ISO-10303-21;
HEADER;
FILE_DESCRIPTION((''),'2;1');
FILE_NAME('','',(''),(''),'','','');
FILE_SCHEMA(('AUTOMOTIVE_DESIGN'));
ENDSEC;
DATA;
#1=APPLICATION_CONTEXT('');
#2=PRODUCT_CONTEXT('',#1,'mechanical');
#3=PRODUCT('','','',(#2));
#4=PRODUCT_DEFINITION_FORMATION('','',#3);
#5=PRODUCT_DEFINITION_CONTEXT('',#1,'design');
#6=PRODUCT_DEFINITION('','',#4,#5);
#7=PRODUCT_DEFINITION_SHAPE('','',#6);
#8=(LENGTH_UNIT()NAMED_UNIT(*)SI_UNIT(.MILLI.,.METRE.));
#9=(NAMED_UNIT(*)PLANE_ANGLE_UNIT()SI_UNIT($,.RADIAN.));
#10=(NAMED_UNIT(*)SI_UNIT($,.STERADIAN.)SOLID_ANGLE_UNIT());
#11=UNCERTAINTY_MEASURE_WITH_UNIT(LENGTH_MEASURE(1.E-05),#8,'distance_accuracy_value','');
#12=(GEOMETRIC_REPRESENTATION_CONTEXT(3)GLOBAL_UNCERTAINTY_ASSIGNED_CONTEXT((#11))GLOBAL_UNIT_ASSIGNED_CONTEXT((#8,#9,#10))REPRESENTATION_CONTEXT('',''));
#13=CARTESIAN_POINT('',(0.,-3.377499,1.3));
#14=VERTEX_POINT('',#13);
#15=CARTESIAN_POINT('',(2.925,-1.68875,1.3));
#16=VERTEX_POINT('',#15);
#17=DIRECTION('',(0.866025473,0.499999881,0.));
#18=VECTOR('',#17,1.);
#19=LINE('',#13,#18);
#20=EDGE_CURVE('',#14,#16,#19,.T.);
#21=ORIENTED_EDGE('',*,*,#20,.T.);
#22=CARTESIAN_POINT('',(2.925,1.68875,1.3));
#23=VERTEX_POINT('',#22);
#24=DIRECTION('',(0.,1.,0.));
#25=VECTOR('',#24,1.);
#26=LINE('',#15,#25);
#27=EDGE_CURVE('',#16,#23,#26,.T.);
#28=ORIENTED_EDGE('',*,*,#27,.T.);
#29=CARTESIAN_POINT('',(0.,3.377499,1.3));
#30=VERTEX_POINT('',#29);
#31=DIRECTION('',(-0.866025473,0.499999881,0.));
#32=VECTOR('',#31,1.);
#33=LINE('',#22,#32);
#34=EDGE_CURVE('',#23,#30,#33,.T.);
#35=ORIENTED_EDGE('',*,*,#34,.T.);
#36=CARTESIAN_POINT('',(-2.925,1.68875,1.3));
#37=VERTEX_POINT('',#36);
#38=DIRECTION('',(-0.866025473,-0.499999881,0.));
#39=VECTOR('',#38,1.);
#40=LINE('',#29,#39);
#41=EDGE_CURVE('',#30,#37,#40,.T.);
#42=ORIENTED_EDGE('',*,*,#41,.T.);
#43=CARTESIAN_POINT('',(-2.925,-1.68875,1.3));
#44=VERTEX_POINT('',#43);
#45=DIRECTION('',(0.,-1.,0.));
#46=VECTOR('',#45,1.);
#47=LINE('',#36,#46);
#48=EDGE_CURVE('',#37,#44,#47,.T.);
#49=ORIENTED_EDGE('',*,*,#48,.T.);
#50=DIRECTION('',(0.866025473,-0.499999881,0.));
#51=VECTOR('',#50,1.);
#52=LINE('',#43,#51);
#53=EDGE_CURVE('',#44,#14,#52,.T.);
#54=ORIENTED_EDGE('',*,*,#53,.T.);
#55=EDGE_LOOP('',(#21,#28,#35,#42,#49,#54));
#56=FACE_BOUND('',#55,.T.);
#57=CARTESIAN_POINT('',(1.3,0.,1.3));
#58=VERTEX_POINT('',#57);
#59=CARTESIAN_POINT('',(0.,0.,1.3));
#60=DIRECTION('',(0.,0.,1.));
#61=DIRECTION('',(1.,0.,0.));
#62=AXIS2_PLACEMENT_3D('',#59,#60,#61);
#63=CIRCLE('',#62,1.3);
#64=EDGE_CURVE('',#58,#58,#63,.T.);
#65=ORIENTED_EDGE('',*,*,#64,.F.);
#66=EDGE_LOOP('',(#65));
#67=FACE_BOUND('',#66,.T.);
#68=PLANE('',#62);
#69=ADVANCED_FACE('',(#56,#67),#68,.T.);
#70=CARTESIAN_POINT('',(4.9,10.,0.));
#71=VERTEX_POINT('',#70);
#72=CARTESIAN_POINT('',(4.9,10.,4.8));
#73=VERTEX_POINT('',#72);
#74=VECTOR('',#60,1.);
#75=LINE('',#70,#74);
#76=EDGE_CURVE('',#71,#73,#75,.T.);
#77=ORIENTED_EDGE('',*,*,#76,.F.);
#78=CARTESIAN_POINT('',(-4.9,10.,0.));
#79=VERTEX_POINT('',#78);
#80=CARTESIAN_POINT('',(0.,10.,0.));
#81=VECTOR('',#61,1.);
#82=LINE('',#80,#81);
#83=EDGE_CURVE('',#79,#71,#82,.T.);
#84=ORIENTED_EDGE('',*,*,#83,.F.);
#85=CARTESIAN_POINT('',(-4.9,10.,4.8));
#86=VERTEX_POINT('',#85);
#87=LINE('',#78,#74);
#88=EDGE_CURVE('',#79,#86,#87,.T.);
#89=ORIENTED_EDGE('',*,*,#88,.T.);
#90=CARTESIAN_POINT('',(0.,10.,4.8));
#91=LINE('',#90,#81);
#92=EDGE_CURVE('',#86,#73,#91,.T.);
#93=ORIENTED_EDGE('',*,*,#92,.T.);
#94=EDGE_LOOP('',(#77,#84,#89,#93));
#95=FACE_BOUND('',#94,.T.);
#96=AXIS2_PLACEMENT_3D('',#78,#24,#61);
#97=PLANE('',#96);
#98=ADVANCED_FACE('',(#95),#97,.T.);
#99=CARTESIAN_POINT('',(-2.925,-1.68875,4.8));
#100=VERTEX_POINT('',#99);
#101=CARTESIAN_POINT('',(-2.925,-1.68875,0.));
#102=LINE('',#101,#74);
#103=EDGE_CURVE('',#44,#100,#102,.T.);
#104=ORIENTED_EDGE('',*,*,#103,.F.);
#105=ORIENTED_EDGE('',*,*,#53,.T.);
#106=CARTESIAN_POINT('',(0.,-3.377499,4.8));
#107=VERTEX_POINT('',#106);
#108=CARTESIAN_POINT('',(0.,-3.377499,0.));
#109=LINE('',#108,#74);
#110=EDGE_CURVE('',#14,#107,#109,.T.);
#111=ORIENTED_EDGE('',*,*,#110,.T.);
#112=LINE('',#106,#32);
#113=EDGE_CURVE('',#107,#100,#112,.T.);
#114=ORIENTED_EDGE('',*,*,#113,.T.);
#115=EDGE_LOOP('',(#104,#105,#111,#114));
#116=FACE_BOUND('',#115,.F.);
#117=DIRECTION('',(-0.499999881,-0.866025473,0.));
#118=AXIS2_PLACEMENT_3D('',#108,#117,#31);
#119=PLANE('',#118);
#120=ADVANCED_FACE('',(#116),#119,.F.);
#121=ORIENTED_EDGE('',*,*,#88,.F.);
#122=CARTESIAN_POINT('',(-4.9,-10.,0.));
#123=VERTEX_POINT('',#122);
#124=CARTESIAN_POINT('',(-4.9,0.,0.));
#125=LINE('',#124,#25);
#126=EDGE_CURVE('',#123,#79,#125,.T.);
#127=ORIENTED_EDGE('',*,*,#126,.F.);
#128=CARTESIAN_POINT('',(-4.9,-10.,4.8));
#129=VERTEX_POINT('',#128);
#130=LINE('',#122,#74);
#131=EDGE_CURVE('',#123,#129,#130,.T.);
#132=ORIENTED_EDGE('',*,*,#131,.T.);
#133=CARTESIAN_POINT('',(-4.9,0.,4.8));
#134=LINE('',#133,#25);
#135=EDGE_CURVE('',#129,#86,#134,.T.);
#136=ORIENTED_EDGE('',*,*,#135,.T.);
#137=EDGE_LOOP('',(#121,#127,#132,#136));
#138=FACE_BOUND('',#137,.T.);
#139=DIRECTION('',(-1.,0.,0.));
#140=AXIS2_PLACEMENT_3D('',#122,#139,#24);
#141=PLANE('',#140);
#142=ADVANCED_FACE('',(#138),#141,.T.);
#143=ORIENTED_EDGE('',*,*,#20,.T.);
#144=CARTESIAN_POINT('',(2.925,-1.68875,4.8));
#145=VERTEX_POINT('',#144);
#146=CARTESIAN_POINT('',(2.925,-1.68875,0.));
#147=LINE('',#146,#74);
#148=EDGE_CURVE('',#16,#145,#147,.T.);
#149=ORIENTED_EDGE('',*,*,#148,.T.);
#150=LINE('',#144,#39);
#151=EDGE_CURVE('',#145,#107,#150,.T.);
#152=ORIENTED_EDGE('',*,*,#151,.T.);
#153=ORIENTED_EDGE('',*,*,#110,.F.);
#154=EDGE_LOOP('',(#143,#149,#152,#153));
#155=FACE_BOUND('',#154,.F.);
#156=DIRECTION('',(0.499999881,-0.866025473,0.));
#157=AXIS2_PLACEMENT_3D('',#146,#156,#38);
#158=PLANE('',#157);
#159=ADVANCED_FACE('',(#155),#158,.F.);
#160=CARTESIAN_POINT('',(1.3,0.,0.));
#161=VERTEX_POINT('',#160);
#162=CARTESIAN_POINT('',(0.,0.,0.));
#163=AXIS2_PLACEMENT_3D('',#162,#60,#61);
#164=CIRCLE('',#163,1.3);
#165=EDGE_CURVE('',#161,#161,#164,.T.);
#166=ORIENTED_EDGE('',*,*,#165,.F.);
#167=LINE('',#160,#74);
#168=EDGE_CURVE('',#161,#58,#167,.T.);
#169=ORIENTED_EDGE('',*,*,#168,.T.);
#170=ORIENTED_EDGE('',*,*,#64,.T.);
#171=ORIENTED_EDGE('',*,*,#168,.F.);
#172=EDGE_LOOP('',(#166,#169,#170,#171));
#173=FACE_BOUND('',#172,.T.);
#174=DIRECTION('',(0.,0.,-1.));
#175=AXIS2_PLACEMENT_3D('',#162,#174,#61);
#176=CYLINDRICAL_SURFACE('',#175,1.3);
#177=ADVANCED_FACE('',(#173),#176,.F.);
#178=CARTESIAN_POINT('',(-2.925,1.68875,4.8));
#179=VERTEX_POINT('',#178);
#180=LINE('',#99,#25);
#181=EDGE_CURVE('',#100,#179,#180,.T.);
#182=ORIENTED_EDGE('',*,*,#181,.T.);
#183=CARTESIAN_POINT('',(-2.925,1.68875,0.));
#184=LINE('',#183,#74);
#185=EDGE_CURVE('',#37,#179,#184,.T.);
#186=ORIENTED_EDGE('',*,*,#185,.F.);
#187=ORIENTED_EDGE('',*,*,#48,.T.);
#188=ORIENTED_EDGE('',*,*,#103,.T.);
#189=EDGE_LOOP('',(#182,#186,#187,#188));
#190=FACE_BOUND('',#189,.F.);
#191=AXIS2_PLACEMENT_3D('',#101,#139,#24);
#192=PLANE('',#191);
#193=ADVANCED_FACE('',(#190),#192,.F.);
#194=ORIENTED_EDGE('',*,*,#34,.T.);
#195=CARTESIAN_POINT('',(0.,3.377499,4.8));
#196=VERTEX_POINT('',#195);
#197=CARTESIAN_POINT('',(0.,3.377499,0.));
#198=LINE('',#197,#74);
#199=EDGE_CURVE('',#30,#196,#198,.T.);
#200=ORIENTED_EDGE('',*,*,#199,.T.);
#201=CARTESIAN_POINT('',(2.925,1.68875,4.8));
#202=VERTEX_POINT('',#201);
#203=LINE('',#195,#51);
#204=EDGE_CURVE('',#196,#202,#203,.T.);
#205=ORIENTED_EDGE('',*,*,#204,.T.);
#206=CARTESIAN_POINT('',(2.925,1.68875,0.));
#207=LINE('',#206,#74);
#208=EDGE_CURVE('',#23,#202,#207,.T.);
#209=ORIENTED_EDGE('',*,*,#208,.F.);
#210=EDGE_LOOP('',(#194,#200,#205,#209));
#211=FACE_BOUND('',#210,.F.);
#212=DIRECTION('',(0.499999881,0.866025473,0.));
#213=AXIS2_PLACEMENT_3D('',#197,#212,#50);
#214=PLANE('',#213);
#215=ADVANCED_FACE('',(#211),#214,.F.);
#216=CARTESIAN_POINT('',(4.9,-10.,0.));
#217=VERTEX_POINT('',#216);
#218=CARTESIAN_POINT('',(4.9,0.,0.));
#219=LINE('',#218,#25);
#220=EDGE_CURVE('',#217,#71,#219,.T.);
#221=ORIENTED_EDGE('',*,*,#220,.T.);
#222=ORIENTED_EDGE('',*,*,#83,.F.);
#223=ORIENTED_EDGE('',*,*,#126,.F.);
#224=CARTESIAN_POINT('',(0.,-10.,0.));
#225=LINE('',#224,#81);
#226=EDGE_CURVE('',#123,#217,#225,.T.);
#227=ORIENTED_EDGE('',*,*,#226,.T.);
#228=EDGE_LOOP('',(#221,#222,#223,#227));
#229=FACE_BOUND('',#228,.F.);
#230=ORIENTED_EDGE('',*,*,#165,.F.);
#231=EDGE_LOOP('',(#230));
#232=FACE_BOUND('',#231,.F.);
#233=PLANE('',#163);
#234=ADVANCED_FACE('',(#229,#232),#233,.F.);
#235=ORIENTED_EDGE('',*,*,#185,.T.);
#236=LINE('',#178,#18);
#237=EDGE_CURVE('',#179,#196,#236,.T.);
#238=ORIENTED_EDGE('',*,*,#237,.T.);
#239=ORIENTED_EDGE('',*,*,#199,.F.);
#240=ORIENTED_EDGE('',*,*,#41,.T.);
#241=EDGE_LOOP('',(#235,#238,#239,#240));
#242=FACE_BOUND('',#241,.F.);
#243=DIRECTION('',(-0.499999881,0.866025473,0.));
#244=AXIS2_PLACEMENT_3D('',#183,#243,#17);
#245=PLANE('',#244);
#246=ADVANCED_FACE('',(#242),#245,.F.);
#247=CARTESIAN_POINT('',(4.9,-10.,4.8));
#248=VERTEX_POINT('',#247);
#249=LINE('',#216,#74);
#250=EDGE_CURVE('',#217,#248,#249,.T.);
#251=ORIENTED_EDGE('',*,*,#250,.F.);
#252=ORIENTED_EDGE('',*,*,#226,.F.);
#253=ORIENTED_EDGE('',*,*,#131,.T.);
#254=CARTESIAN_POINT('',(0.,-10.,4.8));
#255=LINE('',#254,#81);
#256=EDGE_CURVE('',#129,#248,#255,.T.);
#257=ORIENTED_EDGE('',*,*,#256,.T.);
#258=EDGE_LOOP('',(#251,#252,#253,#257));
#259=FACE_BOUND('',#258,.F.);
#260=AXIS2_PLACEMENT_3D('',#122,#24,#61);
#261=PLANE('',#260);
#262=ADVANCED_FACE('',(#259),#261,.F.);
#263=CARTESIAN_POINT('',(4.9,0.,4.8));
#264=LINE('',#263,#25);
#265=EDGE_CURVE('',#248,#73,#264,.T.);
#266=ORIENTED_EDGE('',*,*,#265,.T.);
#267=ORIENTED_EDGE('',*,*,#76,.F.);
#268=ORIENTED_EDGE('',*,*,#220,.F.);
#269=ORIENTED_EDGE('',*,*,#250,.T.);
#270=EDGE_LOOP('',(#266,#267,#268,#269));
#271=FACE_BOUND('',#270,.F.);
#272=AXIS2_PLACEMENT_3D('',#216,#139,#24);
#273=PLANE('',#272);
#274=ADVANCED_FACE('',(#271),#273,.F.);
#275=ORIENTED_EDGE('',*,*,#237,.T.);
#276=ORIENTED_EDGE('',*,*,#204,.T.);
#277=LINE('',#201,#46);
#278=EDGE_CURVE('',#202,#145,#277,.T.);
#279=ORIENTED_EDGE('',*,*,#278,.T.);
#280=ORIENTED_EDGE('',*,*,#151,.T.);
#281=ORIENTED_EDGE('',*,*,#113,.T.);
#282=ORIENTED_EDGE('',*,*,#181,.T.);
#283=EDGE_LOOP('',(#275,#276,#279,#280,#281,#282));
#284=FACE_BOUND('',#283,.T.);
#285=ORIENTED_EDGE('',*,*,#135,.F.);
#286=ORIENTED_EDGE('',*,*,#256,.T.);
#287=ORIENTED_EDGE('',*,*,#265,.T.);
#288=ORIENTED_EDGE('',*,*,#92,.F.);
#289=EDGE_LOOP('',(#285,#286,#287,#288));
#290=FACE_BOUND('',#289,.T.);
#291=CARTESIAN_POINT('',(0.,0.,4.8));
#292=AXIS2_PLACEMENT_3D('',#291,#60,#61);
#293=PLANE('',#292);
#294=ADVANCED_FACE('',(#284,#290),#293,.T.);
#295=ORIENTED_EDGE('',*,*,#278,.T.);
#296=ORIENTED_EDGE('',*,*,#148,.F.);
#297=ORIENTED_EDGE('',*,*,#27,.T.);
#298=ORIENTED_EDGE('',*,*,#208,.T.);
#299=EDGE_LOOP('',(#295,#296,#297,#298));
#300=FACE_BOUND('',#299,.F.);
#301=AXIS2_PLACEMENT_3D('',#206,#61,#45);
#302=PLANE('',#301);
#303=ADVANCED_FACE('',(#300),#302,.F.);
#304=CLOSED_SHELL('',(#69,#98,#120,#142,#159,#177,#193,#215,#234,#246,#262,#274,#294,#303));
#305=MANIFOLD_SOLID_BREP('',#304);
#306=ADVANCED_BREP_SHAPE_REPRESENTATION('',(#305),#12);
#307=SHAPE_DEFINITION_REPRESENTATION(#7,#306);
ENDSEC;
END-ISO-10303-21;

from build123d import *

# Parameters (mm, degrees)
F0_W     = 9.8
F0_H     = 20
F1_DEPTH = 4.8
F0_R     = 1.3
F2_DEPTH = 1.3


with BuildPart() as f1:
    # F0 (on Top) → F1 (new body)
    with BuildSketch(Plane.XY):
        Rectangle(F0_W, F0_H)
        Polygon((0, 3.377499), (2.925, 1.68875), (2.925, -1.68875), (0, -3.377499), (-2.925, -1.68875), (-2.925, 1.68875), align=None, mode=Mode.SUBTRACT)
    extrude(amount=F1_DEPTH)

    # F0 (on Top) → F2 (join)
    with BuildSketch(Plane.XY):
        Polygon((2.925, -1.68875), (2.925, 1.68875), (0, 3.377499), (-2.925, 1.68875), (-2.925, -1.68875), (0, -3.377499), align=None)
        Circle(F0_R, mode=Mode.SUBTRACT)
    extrude(amount=F2_DEPTH)


solid = f1.part
